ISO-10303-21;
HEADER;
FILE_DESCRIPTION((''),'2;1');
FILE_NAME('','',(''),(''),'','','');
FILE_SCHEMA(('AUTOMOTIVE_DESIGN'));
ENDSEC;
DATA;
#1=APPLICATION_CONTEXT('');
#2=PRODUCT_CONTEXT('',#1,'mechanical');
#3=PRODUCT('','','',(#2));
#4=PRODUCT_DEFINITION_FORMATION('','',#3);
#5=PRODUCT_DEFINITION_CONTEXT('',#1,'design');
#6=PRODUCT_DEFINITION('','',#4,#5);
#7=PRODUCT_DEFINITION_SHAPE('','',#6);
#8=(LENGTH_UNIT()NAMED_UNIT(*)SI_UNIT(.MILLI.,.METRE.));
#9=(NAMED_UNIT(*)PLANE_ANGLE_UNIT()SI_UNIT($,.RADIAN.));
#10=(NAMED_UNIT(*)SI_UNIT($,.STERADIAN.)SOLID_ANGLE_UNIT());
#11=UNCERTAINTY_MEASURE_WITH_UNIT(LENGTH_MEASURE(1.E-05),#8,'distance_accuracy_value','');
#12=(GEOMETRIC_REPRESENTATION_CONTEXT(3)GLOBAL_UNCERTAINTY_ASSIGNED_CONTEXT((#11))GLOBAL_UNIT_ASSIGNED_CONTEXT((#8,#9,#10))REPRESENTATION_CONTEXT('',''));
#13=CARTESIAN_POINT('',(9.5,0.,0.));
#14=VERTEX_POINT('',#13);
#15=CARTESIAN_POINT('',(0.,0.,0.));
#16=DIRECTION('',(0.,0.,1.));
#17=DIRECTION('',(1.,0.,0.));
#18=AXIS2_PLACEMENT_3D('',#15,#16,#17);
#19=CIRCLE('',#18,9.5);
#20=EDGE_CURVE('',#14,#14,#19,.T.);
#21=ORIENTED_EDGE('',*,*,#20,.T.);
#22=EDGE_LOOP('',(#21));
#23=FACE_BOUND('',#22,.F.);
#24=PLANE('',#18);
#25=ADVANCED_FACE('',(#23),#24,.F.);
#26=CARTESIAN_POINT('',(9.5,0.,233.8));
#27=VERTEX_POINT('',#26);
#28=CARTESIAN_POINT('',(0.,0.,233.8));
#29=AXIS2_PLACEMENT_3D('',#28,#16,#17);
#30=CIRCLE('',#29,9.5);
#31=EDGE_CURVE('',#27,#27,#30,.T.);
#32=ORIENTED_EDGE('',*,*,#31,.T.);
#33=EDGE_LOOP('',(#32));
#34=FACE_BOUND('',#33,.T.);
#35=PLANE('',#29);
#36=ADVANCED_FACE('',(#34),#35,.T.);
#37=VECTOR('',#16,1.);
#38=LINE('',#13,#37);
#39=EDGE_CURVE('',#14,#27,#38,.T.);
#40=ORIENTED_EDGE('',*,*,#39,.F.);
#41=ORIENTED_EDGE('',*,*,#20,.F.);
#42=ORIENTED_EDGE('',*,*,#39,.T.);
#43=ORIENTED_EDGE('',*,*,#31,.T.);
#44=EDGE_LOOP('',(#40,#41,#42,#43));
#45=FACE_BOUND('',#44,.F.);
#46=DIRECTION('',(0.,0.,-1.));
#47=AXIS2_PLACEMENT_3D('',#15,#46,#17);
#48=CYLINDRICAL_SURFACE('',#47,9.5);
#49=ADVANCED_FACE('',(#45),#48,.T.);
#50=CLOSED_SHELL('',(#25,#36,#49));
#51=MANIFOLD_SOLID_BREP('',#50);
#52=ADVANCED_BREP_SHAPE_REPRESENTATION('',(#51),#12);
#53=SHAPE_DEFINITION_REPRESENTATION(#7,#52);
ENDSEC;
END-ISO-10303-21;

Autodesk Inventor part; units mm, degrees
ref_plane "YZ Plane" through (0, 0, 0) normal (1, 0, 0) x (0, 1, 0)
ref_plane "XZ Plane" through (0, 0, 0) normal (0, 1, 0) x (-1, 0, 0)
ref_plane "XY Plane" through (0, 0, 0) normal (0, 0, 1) x (1, 0, 0)
sketch "Boceto1" plane through (0, 0, 0) normal (0, 0, 1) x (1, 0, 0)
  circle A0 centre (0, 0) radius 9.5
  dimension "d0" = 19
extrude "Extrusión1" add sketch "Boceto1" along normal blind 233.8
properties part number "Barra base cotadora"
